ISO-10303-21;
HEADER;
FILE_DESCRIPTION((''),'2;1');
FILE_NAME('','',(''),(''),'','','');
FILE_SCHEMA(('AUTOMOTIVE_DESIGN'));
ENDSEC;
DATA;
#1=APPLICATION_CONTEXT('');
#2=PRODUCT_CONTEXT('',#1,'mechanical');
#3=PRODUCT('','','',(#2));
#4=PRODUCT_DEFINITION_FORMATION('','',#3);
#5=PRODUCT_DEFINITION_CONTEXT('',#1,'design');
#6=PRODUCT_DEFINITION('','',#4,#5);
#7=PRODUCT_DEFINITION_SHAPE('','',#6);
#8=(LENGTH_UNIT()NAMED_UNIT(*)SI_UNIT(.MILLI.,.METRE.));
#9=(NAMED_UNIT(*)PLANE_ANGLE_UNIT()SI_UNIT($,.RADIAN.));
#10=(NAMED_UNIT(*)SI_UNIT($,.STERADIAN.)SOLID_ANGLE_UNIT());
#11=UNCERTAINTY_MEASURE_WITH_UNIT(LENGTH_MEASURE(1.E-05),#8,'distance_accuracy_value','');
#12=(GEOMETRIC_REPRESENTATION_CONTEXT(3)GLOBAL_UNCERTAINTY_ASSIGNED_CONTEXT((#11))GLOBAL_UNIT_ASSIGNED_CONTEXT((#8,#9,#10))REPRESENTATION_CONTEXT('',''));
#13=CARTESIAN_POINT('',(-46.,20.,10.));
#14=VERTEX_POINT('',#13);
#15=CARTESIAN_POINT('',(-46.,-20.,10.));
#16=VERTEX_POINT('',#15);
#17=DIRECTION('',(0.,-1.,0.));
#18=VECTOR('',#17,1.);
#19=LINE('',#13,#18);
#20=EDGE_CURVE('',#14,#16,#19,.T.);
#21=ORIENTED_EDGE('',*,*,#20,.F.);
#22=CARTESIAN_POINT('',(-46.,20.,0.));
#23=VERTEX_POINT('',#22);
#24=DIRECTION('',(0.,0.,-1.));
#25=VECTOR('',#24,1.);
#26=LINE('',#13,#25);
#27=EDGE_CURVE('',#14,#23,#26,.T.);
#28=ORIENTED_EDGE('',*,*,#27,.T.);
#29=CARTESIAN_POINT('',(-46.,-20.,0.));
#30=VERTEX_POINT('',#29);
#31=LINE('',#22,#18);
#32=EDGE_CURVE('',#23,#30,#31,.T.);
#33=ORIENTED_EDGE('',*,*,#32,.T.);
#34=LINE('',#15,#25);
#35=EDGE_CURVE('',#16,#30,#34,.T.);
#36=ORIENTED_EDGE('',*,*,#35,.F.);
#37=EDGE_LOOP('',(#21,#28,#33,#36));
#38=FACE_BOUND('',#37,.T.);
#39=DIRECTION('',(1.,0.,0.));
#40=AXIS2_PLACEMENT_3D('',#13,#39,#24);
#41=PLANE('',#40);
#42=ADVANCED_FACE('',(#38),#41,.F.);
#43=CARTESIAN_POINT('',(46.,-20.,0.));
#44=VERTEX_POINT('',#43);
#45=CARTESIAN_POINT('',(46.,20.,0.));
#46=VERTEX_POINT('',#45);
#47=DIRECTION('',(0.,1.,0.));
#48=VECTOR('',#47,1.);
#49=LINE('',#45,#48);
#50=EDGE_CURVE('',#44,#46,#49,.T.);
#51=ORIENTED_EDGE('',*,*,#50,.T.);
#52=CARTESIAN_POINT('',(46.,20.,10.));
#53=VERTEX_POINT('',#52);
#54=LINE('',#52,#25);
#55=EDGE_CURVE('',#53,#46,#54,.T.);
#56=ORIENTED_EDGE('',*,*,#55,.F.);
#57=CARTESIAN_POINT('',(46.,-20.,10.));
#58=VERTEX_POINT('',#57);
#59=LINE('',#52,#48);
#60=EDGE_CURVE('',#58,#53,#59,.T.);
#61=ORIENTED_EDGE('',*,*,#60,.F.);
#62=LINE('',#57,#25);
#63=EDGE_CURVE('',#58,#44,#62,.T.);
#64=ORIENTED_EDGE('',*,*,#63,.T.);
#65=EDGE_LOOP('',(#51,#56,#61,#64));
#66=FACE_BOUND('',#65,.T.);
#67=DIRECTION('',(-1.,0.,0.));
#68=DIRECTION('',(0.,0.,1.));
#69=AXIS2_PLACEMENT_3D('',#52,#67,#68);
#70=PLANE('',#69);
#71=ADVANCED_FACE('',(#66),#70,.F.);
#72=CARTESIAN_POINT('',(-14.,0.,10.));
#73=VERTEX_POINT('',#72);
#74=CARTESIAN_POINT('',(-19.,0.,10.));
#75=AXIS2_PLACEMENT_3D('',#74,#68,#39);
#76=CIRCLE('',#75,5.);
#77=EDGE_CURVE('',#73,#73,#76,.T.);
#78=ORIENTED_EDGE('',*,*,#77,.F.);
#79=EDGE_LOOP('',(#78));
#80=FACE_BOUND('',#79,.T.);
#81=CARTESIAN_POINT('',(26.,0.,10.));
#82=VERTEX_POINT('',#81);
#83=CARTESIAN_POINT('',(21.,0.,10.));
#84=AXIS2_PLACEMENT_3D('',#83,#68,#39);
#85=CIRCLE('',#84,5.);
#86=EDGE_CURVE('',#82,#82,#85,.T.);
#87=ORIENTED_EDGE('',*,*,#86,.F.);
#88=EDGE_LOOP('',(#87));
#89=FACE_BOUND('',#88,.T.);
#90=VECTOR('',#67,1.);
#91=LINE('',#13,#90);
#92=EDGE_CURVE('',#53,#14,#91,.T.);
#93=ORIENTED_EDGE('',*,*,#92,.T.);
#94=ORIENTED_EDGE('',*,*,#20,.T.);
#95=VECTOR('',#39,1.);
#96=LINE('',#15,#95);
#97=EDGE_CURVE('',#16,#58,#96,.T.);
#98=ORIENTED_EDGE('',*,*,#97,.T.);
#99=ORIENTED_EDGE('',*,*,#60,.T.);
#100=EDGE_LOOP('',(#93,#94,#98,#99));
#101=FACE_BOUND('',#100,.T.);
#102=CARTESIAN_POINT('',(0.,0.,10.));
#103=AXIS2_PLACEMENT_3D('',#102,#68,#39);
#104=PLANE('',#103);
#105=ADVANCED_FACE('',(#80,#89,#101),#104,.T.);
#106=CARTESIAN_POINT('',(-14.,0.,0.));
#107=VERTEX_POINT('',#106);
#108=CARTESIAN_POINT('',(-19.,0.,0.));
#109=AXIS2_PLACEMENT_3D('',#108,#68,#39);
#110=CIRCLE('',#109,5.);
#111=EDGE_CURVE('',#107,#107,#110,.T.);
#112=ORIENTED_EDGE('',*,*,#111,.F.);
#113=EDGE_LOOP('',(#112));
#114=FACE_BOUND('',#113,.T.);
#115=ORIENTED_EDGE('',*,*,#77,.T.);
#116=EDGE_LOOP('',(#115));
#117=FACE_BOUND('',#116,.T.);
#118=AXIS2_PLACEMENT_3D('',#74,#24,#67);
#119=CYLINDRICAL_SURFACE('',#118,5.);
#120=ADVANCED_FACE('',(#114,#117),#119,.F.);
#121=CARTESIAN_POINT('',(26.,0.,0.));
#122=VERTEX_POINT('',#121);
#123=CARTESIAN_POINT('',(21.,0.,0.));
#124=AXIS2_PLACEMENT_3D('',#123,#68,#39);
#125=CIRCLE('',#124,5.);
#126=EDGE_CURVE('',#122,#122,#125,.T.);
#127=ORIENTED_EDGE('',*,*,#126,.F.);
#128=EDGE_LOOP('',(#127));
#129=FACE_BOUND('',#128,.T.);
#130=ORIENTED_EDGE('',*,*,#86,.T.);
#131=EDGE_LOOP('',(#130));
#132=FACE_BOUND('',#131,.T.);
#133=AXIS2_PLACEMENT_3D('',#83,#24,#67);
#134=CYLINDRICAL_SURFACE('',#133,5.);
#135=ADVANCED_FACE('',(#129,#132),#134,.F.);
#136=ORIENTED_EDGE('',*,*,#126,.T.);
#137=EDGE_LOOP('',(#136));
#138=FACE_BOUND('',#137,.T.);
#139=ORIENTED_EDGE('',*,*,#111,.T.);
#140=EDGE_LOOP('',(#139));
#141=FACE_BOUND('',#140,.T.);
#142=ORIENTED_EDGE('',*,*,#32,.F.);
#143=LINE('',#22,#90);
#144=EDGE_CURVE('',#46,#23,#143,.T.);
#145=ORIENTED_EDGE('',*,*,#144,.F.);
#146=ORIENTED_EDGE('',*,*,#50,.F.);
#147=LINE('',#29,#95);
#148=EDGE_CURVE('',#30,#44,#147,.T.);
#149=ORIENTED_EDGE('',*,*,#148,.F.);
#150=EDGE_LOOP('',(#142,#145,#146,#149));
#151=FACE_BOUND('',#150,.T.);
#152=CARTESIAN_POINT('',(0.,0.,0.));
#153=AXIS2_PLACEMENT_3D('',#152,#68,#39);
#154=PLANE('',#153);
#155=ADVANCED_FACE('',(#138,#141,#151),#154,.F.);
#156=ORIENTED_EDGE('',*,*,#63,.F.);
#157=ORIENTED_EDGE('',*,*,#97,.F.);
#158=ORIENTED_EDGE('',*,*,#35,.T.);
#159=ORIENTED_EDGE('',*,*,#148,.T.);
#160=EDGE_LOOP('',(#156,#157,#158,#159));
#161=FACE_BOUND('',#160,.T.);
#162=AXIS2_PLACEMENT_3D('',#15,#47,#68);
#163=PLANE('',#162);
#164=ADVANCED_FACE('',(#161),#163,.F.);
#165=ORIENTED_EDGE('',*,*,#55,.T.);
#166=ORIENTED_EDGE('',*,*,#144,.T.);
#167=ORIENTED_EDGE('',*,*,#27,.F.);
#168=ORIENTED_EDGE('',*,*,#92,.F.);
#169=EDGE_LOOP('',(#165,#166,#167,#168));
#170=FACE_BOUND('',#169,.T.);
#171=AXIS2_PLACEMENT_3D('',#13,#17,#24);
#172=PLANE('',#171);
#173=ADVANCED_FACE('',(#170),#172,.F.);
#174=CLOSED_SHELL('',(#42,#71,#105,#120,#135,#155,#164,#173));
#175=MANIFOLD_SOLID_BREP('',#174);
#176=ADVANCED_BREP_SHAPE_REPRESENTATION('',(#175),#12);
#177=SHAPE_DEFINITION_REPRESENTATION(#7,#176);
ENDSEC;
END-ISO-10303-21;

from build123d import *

# Parameters (mm, degrees)
SZKIC1_W                    = 92
SZKIC1_H                    = 40
SZKIC1_R                    = 5
DODANIE_WYCI_GNI_CIE1_DEPTH = 10


with BuildPart() as part:
    # Szkic1 → Dodanie-wyciągnięcie1 (new body)
    with BuildSketch(Plane.XY):
        Rectangle(SZKIC1_W, SZKIC1_H)
        with Locations((21, 0)):
            Circle(SZKIC1_R, mode=Mode.SUBTRACT)
        with Locations((-19, 0)):
            Circle(SZKIC1_R, mode=Mode.SUBTRACT)
    extrude(amount=DODANIE_WYCI_GNI_CIE1_DEPTH)


solid = part.part
